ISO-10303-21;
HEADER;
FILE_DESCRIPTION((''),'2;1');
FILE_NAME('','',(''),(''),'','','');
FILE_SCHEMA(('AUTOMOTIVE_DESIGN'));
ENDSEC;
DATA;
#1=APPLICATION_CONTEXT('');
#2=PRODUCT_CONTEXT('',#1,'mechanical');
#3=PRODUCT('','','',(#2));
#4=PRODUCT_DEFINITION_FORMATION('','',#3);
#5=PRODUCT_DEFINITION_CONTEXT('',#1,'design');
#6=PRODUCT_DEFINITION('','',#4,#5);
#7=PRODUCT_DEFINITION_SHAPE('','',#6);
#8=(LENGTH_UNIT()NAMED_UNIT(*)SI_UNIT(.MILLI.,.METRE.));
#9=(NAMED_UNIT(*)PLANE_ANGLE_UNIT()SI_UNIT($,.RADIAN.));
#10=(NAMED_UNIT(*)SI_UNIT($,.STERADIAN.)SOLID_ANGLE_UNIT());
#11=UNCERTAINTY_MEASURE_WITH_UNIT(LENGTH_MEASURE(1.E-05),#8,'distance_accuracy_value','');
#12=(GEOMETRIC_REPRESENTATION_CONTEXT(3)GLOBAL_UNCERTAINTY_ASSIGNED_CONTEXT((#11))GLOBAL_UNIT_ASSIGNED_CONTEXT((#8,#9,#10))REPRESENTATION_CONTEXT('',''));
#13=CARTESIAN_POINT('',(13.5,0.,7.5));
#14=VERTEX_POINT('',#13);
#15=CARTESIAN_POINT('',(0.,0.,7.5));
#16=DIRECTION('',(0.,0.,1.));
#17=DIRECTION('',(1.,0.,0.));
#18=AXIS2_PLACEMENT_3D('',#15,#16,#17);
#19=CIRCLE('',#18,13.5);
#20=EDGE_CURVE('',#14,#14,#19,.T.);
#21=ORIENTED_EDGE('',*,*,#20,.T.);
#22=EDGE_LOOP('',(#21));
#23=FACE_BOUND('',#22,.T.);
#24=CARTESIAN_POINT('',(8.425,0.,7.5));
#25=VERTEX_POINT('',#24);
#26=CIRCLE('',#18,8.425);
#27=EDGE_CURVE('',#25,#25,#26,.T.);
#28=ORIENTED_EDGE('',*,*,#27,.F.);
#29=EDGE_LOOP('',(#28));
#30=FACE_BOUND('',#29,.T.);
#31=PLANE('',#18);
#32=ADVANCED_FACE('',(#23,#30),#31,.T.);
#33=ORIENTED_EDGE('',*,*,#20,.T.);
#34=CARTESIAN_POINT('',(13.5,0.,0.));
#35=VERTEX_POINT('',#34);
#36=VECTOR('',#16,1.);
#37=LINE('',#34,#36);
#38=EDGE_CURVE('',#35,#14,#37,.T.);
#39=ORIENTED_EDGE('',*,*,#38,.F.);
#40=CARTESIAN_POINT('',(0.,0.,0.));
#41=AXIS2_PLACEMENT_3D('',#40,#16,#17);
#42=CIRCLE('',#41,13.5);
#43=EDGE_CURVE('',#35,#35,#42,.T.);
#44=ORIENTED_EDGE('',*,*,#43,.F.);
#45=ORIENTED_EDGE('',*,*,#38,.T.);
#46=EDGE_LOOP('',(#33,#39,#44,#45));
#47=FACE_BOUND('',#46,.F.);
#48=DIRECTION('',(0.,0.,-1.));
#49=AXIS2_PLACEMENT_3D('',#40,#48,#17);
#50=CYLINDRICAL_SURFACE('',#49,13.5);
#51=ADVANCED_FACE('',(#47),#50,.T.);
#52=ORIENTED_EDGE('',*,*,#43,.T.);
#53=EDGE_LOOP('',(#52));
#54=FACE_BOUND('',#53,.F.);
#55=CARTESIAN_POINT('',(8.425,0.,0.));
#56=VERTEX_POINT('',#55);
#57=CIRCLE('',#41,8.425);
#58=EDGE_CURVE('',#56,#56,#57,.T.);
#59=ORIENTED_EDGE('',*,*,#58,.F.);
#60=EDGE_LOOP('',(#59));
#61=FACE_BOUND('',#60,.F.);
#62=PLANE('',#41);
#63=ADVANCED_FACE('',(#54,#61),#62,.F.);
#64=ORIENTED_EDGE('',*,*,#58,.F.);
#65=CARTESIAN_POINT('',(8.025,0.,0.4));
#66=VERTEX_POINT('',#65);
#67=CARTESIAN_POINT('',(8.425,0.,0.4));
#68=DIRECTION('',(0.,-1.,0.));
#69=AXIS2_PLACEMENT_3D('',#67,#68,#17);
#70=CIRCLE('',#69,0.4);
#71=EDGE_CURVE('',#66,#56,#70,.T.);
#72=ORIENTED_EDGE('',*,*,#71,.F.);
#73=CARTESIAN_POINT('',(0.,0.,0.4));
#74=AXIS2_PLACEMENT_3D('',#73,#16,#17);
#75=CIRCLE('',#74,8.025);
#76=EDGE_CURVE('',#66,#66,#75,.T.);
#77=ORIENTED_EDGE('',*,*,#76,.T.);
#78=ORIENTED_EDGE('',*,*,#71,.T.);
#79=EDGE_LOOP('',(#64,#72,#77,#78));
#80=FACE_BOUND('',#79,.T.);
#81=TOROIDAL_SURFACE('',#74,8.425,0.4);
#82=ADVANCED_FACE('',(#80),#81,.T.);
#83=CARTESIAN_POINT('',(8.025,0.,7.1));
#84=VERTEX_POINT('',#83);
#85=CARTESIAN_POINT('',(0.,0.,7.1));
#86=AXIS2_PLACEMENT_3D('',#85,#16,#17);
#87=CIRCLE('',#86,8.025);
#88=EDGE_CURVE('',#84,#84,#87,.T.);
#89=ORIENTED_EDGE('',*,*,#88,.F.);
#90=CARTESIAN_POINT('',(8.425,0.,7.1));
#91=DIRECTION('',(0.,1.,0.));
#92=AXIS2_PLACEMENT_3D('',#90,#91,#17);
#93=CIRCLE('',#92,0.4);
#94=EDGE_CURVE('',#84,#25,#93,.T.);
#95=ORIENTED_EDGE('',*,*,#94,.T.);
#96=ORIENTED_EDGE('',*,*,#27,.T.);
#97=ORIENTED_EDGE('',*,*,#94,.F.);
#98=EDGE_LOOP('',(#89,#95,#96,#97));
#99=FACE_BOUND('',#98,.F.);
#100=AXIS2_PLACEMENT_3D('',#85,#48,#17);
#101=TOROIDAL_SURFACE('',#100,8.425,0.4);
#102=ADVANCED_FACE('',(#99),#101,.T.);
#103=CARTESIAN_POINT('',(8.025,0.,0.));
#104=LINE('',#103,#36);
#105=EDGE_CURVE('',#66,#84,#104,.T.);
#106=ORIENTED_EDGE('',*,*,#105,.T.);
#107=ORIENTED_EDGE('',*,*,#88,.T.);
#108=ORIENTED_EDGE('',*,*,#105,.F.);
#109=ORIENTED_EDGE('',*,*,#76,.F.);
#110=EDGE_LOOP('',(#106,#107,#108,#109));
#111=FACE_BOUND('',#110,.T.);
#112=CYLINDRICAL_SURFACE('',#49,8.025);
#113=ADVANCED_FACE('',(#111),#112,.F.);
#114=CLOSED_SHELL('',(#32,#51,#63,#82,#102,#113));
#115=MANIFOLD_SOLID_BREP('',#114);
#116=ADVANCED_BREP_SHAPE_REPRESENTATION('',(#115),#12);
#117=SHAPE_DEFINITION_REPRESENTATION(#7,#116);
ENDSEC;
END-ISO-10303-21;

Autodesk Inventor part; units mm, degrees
ref_plane "YZ Plane" through (0, 0, 0) normal (1, 0, 0) x (0, 1, 0)
ref_plane "XZ Plane" through (0, 0, 0) normal (0, 1, 0) x (-1, 0, 0)
ref_plane "XY Plane" through (0, 0, 0) normal (0, 0, 1) x (1, 0, 0)
sketch "Sketch1" plane through (0, 0, 0) normal (0, 0, 1) x (1, 0, 0)
  circle A0 centre (0, 0) radius 8.025
  circle A1 centre (0, 0) radius 0.3163
  circle A2 centre (0, 0) radius 13.5
  dimension "d0" = 16.05
  dimension "d1" = 27
extrude "Extrusion1" add sketch "Sketch1" along normal blind 7.5 contours A2
fillet "Fillet1" radius 0.4 2 edges at (-8.025, 0, 7.5) (-8.025, 0, 0)
properties part number "Wheel_16-27"
